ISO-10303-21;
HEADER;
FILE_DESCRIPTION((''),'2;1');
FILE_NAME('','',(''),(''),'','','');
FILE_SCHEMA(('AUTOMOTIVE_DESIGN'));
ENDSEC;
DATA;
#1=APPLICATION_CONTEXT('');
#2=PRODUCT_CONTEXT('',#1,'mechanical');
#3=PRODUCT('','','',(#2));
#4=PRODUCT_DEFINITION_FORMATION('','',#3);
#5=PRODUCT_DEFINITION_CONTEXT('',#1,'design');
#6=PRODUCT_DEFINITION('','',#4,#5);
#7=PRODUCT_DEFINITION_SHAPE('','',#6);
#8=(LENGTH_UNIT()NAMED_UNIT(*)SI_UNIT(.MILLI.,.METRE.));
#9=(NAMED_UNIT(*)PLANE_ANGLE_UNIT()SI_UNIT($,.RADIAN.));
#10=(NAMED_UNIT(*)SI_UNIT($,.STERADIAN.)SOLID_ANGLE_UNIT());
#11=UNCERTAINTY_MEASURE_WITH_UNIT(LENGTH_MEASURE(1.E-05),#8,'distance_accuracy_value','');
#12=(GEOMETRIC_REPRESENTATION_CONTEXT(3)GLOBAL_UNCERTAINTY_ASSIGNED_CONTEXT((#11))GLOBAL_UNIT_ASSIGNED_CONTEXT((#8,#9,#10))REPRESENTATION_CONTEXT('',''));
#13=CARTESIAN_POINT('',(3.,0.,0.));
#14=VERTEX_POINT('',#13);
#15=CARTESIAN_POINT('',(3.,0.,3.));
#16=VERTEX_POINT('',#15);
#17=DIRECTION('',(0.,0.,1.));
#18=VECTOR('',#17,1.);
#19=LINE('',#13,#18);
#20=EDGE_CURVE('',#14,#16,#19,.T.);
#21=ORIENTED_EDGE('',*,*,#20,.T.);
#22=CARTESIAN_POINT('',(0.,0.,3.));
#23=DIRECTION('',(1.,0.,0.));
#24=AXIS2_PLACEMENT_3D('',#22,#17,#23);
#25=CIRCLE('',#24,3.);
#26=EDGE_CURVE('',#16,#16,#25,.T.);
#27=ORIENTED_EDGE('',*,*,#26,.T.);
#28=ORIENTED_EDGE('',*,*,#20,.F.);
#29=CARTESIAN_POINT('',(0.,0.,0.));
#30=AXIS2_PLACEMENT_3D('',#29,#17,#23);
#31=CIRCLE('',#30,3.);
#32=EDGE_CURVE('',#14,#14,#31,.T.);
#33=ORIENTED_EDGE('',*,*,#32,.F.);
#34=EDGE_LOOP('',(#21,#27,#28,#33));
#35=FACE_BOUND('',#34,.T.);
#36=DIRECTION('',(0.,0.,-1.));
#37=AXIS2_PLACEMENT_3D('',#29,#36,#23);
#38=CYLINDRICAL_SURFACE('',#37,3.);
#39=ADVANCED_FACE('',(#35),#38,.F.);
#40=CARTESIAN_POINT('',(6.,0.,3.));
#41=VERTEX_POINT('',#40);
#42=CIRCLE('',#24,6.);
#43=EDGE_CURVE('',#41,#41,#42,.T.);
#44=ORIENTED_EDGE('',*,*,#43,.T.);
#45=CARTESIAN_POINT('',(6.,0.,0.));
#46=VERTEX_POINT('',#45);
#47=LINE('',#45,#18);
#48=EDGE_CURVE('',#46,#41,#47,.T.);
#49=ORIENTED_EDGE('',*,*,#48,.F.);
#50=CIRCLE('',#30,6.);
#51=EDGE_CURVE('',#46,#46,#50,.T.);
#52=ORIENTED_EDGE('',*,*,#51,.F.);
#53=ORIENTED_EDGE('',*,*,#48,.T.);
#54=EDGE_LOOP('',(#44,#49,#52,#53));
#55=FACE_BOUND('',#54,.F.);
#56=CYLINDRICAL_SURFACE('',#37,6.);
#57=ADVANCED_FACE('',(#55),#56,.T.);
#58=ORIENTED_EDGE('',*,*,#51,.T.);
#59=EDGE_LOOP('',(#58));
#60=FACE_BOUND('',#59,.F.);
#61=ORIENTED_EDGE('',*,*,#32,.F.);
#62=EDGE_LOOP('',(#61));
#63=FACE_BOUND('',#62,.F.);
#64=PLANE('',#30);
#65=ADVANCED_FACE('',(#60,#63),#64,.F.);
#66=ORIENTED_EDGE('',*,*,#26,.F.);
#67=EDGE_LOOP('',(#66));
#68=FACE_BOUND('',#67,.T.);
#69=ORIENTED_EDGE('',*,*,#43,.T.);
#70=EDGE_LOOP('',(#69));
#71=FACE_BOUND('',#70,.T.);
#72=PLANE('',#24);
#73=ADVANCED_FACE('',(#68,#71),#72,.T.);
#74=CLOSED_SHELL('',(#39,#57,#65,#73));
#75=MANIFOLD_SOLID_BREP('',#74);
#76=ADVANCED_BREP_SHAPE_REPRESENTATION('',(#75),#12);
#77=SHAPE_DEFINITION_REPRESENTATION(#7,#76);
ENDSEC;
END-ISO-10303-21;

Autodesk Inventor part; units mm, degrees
ref_plane "YZ Plane" through (0, 0, 0) normal (1, 0, 0) x (0, 1, 0)
ref_plane "XZ Plane" through (0, 0, 0) normal (0, 1, 0) x (-1, 0, 0)
ref_plane "XY Plane" through (0, 0, 0) normal (0, 0, 1) x (1, 0, 0)
sketch "スケッチ1" plane through (0, 0, 0) normal (0, 0, 1) x (1, 0, 0)
  circle A0 centre (0, 0) radius 3
  circle A1 centre (0, 0) radius 6
  dimension "d0" = 6
  dimension "d1" = 3
extrude "押し出し1" add sketch "スケッチ1" along normal blind 3
properties part number "スペーサーL3"
